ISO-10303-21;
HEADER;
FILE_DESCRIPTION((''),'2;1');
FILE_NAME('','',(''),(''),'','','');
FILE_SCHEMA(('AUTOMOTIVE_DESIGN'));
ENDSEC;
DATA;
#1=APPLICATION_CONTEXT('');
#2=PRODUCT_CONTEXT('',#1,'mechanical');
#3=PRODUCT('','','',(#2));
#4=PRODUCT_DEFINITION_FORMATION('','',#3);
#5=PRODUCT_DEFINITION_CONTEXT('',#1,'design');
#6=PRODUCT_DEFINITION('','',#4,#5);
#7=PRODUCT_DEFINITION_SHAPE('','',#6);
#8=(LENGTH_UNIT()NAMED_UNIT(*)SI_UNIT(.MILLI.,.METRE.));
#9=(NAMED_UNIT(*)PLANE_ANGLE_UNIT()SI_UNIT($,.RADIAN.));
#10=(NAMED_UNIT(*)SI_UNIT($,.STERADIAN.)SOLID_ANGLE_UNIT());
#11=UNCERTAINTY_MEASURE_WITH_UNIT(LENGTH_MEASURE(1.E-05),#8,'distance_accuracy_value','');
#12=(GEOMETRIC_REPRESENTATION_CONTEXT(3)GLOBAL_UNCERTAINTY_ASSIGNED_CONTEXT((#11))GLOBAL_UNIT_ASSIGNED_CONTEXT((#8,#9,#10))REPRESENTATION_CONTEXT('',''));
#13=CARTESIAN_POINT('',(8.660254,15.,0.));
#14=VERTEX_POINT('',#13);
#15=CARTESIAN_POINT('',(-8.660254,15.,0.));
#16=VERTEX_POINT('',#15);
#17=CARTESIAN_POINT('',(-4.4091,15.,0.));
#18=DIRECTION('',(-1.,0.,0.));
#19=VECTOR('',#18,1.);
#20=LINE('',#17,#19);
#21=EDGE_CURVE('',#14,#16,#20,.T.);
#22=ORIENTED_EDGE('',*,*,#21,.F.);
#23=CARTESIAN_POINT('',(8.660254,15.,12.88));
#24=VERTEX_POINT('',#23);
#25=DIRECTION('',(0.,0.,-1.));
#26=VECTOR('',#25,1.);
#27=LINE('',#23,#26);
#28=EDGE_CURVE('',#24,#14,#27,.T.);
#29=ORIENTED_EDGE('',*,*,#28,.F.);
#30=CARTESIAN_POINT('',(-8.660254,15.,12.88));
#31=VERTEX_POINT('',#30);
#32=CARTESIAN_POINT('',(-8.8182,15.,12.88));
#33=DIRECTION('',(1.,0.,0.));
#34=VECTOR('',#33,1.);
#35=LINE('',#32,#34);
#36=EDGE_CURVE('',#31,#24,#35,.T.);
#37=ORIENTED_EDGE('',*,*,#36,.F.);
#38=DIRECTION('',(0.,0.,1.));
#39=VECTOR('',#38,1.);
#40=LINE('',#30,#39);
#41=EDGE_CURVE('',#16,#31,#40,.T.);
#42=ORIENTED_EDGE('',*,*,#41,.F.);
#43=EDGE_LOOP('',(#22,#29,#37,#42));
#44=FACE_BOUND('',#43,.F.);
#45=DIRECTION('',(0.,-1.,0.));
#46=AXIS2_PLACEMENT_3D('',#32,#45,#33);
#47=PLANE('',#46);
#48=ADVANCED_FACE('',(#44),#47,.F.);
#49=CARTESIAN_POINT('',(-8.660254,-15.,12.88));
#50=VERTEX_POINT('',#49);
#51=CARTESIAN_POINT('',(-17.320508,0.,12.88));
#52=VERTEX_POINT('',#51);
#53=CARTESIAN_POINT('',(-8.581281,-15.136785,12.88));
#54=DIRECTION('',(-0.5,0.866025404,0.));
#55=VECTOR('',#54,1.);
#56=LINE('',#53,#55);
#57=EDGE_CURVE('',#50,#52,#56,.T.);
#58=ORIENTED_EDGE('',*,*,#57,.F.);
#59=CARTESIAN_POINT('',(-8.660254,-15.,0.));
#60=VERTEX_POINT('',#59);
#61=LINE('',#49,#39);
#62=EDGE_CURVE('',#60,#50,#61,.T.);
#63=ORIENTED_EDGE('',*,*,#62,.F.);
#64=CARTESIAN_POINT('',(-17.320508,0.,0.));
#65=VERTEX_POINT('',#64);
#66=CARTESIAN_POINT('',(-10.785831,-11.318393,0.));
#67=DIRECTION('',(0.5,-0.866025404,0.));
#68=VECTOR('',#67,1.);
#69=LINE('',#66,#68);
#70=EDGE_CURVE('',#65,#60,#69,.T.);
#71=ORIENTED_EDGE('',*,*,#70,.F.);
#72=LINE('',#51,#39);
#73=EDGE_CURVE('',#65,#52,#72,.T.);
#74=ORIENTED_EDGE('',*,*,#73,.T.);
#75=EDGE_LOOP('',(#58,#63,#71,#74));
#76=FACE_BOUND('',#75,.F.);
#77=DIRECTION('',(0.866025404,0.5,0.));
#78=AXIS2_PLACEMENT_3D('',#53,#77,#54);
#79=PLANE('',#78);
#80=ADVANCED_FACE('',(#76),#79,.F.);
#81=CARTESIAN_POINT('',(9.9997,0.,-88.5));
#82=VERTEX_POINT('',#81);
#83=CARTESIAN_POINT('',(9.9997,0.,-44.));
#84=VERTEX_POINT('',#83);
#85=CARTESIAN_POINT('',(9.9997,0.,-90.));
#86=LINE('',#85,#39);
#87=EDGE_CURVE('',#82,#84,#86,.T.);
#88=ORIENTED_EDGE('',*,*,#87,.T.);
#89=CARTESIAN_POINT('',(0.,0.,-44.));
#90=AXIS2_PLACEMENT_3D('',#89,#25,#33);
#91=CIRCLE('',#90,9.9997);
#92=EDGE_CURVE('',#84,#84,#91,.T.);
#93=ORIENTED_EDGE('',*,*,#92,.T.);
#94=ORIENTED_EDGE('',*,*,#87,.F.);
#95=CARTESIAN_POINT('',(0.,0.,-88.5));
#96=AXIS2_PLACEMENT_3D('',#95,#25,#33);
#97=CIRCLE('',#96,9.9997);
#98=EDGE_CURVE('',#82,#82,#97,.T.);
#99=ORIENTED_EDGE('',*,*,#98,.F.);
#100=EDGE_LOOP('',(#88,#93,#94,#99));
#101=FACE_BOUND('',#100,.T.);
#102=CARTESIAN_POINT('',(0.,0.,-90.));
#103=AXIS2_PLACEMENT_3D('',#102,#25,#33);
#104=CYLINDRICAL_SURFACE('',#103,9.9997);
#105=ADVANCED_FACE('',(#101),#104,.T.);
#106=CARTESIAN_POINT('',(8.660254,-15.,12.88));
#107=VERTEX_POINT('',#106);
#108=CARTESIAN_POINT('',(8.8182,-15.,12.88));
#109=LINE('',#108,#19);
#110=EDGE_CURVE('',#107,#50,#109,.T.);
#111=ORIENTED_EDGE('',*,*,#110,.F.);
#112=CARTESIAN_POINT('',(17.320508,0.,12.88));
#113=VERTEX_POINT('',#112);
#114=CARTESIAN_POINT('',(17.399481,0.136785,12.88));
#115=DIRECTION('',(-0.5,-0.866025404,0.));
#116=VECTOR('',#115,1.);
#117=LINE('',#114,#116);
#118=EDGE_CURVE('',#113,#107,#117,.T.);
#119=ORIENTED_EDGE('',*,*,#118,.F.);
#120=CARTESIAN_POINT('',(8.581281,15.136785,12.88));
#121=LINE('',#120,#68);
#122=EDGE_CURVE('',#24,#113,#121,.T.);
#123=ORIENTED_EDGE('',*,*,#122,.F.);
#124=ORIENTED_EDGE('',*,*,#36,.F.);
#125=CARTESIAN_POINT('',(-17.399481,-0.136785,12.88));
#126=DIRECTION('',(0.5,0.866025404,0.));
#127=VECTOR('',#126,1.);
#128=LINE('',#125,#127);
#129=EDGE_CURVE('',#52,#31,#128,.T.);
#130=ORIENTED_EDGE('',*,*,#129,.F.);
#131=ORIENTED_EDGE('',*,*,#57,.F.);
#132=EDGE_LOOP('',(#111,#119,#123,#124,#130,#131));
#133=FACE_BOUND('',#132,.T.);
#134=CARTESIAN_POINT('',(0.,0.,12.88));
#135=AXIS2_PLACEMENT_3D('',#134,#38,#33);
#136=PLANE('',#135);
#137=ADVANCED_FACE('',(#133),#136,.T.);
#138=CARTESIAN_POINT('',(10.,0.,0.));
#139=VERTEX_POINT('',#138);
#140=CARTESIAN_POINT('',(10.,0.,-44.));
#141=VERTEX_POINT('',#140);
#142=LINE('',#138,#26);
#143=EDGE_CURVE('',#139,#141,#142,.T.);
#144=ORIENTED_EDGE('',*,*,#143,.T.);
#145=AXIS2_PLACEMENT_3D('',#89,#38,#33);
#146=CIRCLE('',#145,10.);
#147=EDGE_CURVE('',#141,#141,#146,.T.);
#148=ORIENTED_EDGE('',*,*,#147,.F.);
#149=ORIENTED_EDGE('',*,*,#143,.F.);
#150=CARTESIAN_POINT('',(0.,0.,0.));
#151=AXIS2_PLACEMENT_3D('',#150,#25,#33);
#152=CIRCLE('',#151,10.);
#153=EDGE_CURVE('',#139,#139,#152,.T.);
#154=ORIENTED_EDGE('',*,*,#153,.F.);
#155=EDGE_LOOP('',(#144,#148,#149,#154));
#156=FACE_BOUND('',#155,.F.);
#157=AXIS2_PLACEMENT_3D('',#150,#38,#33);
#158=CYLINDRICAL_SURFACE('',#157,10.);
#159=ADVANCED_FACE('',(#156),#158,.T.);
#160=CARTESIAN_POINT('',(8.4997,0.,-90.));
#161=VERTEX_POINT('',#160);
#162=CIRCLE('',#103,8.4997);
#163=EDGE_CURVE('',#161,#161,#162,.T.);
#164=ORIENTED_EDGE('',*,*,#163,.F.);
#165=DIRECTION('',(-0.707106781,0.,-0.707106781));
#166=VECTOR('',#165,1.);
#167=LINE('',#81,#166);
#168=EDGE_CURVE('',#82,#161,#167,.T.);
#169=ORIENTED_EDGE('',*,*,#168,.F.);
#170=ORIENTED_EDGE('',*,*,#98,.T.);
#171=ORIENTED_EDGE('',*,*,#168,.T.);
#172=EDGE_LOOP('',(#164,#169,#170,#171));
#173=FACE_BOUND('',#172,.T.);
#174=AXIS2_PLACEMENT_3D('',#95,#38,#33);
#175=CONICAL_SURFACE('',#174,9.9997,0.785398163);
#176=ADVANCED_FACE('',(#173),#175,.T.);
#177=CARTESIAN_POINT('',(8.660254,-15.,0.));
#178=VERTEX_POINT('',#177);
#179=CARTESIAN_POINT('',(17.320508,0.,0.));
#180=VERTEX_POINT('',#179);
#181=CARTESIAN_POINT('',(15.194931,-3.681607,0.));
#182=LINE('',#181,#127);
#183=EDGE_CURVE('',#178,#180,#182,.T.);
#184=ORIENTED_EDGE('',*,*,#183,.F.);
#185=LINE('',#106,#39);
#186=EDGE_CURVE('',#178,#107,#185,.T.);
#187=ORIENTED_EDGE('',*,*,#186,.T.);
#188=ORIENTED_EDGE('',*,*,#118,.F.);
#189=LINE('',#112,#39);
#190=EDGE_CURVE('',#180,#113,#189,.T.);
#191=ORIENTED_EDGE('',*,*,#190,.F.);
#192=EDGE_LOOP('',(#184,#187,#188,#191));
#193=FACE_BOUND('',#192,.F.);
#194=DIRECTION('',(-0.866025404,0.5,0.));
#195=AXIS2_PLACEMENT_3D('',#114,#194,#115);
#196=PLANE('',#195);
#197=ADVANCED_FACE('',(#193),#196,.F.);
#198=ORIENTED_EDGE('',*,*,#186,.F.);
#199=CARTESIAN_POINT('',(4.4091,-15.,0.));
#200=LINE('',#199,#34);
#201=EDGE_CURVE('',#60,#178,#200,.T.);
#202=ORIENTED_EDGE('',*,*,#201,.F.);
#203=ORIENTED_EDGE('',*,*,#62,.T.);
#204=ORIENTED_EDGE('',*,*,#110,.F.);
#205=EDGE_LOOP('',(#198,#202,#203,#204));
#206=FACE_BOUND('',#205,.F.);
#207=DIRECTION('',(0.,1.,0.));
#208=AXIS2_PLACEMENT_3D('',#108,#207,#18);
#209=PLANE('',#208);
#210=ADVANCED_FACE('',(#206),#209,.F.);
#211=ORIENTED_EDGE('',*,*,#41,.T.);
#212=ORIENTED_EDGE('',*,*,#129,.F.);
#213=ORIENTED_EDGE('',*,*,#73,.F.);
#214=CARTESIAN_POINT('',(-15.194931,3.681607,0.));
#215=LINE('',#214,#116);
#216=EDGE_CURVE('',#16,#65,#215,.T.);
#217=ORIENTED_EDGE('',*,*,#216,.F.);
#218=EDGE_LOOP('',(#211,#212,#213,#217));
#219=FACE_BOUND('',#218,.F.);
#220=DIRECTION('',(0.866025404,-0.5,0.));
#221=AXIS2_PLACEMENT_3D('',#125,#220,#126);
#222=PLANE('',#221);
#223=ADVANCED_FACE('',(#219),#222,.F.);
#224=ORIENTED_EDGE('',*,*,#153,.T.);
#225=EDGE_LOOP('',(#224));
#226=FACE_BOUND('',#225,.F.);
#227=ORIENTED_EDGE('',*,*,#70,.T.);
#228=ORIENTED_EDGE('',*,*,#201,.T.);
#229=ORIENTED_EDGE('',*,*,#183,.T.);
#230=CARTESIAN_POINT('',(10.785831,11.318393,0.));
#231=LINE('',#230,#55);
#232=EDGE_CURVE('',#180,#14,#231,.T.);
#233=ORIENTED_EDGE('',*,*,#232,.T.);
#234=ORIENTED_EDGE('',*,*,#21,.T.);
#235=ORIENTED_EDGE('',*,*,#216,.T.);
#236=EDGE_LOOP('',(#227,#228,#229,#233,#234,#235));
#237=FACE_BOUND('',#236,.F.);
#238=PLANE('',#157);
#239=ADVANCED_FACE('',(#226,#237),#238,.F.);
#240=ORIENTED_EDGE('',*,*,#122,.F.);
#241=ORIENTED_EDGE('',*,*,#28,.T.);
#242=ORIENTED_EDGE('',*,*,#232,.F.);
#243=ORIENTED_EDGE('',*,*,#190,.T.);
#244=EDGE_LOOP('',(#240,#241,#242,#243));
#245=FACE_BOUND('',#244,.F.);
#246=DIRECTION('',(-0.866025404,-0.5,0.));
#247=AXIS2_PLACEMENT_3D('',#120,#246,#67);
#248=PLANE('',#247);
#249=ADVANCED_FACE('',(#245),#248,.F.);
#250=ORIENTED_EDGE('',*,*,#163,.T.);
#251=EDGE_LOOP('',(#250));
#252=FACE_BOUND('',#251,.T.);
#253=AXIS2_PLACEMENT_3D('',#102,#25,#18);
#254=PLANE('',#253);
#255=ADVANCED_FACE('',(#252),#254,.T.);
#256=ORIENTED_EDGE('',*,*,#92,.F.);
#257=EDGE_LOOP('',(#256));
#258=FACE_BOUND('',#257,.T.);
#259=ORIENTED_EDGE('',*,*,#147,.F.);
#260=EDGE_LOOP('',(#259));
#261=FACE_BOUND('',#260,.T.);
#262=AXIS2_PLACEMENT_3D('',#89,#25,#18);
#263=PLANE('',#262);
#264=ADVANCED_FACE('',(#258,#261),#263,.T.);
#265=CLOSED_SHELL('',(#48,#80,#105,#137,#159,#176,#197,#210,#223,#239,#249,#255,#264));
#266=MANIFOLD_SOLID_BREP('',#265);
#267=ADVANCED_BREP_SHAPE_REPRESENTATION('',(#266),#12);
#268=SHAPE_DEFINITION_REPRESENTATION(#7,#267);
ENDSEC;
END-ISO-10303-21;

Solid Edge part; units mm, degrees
sketch "Sketch1" plane through (0, 0, 0) normal (0, 0, 1) x (1, 0, 0)
  circle A0 centre (0, 0) radius 17.4
  dimension "D1" = 34.8
extrude "Protrusion1" add sketch "Sketch1" along normal blind 12.88
sketch "Sketch2" plane through (0, 0, 0) normal (0, 0, -1) x (1, 0, 0)
  circle A0 centre (0, 0) radius 10
extrude "Protrusion2" add sketch "Sketch2" along normal blind 90
sketch "Sketch3" plane through (0, 0, -90) normal (0, 0, -1) x (1, 0, 0)
  circle A0 centre (0, 0) radius 9.9997
extrude "Cutout1" cut sketch "Sketch3" against normal blind 46 flip side to cut
chamfer "Chamfer_1" distance 1.5 angle 45 1 edges at (-9.9997, 0, -90)
sketch "Sketch4" plane through (0, 0, 12.88) normal (0, 0, 1) x (1, 0, 0)
  line L0 (-8.8182, 15) -> (8.8182, 15)
  dimension "D1" = 30
extrude "Cutout2" cut sketch "Sketch4" against normal up to next material side at (0, 15.05, 12.88)
pattern_circular "Pattern1" count 6 over 360 about axis through (0, 0, 12.88) along (0, 0, 1) of "Cutout2"
properties part number "118374"
